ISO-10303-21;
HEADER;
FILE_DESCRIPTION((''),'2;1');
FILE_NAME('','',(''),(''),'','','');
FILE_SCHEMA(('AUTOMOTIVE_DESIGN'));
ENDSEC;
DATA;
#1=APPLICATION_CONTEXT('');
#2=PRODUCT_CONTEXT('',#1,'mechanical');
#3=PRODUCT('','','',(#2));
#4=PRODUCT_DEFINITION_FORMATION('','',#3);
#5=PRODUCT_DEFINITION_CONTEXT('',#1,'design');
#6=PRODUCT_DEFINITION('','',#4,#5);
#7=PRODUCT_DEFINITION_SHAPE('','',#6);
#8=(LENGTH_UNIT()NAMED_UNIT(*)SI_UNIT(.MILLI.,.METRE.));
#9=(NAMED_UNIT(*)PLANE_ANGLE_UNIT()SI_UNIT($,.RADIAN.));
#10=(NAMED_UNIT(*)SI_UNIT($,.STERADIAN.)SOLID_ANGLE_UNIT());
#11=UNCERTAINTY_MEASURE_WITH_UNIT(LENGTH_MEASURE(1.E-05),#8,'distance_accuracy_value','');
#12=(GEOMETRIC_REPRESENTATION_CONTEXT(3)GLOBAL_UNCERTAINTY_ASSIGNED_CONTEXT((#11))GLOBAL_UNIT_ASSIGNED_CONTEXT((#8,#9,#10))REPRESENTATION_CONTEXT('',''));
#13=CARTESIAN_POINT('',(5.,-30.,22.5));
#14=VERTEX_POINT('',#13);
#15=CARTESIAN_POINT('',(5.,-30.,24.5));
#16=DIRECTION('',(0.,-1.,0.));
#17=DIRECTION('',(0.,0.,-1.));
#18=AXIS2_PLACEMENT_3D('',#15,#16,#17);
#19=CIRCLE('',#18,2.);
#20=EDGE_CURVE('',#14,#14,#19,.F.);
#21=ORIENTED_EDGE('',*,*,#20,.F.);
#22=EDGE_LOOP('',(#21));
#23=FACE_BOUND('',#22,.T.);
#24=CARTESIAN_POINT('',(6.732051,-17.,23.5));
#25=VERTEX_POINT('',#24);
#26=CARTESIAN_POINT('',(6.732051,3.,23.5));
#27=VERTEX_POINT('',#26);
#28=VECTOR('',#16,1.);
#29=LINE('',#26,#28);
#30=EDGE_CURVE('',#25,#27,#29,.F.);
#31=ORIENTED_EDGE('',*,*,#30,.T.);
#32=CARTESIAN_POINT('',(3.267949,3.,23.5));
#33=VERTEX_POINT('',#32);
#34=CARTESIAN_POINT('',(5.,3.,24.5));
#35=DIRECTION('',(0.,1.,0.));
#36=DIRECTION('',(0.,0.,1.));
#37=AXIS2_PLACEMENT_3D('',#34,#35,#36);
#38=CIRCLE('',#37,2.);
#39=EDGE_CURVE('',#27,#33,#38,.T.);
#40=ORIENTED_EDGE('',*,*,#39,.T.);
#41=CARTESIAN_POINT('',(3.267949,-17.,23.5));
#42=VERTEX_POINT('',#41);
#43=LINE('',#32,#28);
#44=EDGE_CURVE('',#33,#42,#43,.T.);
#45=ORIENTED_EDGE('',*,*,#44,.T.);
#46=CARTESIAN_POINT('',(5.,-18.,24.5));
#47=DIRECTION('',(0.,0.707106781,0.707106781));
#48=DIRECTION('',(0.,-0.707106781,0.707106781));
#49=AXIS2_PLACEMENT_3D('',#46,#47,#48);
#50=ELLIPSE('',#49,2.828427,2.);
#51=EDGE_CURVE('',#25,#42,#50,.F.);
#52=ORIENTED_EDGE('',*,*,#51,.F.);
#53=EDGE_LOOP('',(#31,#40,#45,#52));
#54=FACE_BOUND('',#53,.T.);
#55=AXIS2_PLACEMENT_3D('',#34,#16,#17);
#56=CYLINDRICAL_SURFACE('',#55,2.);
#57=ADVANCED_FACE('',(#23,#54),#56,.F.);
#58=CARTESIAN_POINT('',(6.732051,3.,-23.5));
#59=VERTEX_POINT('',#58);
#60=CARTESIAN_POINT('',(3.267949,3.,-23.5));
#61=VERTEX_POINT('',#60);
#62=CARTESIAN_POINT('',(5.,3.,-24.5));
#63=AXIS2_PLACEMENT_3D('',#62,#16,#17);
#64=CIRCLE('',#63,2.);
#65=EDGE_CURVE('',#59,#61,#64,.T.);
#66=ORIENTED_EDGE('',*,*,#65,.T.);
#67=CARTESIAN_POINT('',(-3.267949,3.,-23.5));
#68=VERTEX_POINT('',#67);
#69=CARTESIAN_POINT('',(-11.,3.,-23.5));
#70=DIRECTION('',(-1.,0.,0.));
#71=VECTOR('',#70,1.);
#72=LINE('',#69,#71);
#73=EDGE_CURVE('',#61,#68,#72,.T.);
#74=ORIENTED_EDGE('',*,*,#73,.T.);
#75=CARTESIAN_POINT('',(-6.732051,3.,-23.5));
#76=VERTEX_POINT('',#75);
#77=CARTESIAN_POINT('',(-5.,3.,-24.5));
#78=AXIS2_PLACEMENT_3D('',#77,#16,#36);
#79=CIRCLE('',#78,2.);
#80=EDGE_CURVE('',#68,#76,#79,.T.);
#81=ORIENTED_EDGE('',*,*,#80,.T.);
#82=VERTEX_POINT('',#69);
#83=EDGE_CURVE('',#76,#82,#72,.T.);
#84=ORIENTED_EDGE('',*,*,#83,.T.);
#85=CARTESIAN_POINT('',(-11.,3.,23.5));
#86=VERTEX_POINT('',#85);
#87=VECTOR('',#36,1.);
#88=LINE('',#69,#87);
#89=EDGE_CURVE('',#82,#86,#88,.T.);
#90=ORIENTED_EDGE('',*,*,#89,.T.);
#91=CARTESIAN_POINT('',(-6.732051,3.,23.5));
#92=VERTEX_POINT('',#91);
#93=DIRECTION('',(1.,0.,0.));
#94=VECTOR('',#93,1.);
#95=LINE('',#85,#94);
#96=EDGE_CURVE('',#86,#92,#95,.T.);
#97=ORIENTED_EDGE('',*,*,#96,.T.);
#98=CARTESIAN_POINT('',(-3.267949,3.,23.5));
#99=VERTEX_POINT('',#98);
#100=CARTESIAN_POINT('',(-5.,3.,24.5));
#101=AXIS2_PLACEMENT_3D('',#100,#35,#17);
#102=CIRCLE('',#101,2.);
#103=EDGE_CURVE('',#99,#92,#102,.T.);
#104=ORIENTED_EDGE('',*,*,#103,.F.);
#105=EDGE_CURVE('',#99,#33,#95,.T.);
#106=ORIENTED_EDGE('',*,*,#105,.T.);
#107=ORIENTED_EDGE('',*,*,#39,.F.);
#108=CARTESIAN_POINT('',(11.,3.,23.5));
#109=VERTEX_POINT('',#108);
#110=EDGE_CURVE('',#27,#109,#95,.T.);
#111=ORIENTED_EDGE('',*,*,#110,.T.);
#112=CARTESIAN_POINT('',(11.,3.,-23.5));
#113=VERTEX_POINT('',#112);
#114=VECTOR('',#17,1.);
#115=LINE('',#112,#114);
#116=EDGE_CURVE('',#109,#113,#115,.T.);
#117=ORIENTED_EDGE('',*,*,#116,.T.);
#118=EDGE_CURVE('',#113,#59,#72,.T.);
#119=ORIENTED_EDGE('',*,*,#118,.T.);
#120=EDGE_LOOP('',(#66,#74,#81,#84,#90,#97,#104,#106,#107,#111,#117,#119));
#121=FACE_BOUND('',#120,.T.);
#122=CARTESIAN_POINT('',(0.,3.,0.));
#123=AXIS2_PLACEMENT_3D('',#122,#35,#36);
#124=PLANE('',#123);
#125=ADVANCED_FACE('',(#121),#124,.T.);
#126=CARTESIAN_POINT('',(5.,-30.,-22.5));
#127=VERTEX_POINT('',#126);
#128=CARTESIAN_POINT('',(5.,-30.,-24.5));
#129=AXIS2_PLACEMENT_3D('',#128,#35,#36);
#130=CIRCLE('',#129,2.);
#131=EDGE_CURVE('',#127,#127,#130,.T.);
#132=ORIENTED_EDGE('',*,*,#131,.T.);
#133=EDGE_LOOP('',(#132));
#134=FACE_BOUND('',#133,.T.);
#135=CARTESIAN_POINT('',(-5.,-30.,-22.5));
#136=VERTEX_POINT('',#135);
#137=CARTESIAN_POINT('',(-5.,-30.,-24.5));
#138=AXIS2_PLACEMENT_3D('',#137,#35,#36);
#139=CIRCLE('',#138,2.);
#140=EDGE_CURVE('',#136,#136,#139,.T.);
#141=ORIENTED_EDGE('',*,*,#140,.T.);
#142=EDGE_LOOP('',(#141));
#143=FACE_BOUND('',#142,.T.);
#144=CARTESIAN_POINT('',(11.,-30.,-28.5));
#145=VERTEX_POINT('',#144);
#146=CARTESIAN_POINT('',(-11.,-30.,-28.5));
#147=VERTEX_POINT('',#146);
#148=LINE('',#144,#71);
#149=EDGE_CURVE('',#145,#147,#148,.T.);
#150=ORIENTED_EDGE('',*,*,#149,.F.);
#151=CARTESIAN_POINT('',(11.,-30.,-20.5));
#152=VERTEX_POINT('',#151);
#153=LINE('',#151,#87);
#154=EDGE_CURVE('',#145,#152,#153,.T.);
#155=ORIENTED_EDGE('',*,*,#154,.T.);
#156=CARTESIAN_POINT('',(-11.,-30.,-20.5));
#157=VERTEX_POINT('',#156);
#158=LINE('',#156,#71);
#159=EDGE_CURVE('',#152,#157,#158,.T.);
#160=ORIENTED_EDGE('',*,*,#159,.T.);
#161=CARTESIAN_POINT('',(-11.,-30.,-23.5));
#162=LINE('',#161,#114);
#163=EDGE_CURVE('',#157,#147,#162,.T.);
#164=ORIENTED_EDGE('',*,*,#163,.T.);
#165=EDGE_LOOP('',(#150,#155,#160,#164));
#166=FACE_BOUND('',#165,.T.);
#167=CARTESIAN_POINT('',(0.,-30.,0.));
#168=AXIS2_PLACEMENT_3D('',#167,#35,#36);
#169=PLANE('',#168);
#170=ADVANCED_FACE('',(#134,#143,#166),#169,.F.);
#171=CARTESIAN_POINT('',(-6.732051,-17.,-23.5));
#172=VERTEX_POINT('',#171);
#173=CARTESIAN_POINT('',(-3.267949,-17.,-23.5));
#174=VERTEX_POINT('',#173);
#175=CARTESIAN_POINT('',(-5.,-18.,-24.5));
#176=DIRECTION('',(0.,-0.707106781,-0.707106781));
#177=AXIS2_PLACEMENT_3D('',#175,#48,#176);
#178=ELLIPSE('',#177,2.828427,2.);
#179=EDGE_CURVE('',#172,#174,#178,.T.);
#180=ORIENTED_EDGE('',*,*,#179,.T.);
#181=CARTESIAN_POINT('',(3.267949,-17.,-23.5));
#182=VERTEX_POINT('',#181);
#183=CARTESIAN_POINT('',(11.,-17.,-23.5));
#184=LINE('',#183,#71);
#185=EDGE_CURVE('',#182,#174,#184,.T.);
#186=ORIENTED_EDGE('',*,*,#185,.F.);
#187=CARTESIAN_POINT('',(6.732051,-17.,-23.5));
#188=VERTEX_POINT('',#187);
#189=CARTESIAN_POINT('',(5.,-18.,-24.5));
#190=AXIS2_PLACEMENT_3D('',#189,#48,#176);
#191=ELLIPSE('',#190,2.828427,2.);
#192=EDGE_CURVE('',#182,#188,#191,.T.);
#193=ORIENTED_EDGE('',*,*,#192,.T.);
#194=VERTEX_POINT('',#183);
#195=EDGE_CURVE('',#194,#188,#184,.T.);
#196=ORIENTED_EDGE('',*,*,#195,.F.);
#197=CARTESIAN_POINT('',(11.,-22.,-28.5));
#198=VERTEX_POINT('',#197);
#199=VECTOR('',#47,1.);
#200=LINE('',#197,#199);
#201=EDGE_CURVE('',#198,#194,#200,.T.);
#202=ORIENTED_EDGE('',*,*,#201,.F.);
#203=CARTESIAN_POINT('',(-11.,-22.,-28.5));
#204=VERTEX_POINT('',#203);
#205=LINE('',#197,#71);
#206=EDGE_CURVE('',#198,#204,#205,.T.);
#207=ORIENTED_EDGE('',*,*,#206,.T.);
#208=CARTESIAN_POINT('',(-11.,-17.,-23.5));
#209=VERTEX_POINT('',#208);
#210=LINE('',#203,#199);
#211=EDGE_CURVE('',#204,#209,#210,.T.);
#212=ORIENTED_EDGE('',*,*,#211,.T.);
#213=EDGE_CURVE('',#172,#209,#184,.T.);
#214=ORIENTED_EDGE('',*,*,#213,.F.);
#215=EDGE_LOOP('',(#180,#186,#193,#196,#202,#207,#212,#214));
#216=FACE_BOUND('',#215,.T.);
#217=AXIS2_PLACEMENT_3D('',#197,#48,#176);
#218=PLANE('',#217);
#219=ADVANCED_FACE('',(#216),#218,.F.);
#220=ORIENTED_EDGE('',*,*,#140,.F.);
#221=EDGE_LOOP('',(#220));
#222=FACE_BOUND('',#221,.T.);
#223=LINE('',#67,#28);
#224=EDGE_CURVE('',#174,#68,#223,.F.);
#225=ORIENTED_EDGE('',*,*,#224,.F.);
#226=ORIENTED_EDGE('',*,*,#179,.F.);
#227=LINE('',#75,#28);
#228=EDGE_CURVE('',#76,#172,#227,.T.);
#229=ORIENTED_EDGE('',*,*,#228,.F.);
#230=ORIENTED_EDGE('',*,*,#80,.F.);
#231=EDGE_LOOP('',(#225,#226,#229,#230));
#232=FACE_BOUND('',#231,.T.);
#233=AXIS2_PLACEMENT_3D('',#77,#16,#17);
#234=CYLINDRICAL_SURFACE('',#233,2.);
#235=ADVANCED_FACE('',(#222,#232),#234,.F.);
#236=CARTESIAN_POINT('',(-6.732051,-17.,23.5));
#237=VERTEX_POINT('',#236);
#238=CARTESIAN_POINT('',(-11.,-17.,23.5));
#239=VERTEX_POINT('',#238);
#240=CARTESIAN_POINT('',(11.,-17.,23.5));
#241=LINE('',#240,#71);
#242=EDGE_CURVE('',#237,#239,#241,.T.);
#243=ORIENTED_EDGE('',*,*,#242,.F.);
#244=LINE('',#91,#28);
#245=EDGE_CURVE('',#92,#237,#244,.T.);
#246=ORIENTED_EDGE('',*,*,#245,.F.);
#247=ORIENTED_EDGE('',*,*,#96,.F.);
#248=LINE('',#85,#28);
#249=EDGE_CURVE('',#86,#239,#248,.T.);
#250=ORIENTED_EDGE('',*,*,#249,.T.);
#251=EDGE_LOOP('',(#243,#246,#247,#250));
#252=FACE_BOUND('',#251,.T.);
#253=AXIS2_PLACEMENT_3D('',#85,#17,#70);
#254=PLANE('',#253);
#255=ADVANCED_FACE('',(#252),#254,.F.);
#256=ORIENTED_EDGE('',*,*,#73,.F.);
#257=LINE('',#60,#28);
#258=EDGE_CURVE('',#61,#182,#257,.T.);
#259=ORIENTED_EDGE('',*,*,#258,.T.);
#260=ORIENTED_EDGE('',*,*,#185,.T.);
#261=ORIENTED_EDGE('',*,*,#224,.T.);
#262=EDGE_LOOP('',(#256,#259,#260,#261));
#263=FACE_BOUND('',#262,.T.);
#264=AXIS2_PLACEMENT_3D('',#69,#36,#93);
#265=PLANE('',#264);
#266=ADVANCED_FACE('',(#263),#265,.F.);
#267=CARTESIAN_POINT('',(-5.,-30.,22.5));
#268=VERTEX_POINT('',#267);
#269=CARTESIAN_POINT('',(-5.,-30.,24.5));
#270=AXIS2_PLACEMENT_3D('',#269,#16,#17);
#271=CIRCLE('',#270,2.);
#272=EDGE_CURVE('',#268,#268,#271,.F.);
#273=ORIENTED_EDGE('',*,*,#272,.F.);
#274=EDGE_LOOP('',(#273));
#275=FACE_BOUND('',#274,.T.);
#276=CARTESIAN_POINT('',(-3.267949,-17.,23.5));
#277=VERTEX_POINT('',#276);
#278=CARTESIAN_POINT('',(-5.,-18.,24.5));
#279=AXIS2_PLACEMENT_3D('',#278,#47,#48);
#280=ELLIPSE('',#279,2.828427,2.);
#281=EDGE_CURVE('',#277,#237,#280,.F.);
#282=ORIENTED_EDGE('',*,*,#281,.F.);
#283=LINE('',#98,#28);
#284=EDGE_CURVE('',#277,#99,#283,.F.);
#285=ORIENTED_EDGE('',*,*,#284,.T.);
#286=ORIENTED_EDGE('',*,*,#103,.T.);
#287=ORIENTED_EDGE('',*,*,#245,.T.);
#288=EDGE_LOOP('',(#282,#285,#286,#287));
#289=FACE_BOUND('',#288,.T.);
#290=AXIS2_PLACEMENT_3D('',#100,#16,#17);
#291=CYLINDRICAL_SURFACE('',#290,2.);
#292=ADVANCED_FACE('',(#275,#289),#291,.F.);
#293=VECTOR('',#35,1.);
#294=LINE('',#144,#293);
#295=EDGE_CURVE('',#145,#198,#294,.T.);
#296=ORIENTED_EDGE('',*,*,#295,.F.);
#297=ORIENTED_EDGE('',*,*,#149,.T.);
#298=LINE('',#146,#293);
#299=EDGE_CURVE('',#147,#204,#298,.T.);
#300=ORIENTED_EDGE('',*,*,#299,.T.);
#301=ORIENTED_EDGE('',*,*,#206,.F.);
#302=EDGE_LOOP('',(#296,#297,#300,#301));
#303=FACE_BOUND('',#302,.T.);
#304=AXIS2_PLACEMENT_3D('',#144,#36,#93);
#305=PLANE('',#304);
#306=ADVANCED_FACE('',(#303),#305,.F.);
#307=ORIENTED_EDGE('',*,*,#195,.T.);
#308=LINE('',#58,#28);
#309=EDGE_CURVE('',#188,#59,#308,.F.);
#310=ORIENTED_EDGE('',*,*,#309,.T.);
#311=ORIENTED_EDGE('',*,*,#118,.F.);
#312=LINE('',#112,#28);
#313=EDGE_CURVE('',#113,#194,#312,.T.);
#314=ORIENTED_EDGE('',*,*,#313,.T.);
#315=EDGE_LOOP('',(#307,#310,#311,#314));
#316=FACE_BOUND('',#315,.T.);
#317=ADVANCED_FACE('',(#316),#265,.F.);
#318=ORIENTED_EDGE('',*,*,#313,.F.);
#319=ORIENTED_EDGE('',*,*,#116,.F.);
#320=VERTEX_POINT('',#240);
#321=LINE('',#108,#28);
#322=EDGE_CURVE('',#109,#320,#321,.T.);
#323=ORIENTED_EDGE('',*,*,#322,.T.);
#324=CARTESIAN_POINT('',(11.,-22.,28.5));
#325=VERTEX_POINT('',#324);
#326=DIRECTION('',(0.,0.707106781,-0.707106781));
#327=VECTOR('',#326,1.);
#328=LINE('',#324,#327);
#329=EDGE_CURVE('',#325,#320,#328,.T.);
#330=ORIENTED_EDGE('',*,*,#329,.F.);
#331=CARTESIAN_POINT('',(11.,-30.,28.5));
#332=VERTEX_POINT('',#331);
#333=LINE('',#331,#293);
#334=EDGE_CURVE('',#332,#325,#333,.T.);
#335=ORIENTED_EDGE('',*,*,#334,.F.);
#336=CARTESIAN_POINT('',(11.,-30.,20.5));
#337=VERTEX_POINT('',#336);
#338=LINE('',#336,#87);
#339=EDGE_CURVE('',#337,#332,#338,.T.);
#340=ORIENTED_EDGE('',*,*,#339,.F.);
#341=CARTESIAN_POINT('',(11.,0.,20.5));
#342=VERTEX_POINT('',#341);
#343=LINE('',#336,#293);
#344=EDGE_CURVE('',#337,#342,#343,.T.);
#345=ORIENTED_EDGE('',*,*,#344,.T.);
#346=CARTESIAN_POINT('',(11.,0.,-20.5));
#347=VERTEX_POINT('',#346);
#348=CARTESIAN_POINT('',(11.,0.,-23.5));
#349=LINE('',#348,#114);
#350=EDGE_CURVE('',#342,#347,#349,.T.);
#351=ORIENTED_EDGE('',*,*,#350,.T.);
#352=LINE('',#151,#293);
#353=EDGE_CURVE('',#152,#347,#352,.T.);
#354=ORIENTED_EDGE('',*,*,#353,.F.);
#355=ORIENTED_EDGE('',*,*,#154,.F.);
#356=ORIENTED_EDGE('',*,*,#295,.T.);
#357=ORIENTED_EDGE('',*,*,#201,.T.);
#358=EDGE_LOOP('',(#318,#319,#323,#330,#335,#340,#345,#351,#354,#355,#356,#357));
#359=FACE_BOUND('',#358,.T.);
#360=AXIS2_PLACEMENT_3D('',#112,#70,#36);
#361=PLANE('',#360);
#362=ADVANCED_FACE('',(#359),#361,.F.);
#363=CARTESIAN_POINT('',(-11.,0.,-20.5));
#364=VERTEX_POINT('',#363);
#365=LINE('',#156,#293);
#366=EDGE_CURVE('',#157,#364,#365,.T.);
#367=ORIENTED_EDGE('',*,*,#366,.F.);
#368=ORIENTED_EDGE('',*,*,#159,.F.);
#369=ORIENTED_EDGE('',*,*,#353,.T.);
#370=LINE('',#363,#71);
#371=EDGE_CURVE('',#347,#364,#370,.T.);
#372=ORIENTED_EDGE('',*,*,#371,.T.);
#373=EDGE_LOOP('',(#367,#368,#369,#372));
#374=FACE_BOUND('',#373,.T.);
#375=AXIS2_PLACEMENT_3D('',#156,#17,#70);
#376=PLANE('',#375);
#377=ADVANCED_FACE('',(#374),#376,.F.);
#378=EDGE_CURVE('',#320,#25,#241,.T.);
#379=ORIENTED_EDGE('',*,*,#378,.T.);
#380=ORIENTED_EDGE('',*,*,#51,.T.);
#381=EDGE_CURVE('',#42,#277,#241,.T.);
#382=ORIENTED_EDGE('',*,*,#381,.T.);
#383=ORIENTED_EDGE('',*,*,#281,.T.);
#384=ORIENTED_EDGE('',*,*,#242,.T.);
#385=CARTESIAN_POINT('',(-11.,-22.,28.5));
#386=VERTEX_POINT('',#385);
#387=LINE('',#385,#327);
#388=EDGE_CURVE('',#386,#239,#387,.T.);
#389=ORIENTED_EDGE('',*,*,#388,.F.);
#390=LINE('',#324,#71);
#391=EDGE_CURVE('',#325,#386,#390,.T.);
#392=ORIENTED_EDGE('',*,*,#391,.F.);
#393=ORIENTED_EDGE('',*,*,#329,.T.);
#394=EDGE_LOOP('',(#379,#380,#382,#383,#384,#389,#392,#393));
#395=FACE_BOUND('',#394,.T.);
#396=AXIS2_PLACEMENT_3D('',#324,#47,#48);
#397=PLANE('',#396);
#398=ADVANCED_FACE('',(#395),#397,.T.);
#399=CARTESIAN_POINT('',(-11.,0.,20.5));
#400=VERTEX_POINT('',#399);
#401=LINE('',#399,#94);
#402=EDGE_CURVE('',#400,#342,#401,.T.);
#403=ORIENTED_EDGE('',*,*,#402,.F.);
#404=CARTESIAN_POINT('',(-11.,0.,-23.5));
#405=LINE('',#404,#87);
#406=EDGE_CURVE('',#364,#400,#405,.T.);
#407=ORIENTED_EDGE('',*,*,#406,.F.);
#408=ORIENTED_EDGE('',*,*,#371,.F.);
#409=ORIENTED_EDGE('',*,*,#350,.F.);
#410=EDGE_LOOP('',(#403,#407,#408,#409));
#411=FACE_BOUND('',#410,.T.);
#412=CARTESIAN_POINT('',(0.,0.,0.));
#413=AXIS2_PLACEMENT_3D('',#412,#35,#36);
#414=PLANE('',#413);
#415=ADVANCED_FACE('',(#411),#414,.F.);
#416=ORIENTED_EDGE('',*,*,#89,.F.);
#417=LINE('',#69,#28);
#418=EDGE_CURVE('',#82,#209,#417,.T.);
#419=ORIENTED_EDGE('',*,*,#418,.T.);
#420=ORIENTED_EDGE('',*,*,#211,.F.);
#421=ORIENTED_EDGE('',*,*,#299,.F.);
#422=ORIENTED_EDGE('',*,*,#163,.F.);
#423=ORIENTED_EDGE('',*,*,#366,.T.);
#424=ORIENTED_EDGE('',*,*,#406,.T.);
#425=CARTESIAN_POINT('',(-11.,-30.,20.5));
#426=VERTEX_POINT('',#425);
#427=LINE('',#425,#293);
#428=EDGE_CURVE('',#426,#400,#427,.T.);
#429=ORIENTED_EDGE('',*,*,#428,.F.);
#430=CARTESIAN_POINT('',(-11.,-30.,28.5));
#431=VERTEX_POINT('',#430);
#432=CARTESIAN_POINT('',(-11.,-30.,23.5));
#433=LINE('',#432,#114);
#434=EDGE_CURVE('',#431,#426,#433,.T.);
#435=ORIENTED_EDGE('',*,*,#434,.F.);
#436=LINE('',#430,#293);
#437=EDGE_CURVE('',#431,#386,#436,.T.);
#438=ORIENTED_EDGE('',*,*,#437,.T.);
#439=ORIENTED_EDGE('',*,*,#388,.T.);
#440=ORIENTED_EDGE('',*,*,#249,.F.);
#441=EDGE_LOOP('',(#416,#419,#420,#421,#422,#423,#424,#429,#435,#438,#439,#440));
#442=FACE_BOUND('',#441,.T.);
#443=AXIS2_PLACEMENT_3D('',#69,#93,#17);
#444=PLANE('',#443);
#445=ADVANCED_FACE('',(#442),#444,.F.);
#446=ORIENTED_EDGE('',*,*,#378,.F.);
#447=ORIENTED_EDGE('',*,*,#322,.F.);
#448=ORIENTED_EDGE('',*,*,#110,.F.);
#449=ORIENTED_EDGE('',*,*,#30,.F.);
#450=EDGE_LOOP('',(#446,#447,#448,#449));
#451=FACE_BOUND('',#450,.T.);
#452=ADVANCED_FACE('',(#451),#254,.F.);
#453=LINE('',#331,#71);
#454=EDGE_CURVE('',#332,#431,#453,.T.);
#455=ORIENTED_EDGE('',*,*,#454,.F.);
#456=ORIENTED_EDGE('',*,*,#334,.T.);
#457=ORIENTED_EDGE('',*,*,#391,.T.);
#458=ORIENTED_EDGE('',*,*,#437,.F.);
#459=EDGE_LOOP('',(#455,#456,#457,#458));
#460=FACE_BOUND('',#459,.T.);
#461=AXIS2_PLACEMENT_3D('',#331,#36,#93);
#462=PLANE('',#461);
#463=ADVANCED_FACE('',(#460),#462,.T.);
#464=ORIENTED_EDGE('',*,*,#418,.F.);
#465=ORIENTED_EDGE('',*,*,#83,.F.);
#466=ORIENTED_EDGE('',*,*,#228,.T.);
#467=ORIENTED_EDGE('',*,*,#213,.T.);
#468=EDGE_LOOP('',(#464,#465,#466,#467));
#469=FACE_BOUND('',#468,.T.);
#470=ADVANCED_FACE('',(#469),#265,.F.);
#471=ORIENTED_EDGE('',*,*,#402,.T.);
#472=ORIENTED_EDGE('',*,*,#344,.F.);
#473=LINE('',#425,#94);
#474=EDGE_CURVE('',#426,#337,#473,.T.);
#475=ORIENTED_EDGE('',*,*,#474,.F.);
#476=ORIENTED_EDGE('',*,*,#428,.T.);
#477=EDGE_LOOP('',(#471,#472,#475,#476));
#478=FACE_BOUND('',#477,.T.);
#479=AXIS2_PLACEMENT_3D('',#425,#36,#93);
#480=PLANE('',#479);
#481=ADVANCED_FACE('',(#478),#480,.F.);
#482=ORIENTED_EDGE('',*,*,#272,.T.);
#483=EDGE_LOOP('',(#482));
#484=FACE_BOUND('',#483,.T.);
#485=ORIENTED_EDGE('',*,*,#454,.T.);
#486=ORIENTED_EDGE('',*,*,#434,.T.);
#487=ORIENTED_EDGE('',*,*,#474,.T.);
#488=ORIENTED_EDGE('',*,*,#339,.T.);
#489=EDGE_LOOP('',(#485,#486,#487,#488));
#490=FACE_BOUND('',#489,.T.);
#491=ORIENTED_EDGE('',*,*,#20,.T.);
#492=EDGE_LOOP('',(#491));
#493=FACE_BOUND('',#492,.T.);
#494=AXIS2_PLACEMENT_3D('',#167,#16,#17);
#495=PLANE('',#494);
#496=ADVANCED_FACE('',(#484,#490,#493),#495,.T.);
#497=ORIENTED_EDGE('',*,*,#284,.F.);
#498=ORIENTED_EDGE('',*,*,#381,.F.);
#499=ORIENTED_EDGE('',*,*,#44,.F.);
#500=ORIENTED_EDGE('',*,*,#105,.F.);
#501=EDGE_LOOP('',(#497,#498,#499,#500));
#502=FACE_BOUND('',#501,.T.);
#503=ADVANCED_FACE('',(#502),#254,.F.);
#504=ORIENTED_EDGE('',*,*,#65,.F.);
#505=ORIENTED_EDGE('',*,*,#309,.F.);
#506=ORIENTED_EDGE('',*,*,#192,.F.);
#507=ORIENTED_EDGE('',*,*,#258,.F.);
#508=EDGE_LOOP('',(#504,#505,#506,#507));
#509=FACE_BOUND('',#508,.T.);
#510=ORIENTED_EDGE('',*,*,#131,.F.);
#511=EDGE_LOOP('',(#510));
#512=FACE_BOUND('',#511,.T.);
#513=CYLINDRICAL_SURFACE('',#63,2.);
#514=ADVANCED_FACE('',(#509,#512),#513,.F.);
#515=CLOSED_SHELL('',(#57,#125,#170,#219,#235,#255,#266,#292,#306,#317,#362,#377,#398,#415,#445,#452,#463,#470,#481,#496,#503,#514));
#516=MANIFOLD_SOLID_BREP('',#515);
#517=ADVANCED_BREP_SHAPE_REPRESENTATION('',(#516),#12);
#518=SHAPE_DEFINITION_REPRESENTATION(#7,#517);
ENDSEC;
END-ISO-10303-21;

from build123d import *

# Parameters (mm, degrees)
CROQUIS1_W              = 22
CROQUIS1_H              = 47
SALIENTE_EXTRUIR1_DEPTH = 3
CROQUIS2_W              = 22
CROQUIS2_H              = 3
SALIENTE_EXTRUIR2_DEPTH = 30
SALIENTE_EXTRUIR3_DEPTH = 11
CROQUIS5_R              = 2
CORTAR_EXTRUIR1_DEPTH   = 45.969434064


with BuildPart() as part:
    # Croquis1 → Saliente-Extruir1 (new body)
    with BuildSketch(Plane(origin=(0, 0, 0), x_dir=(1, 0, 0), z_dir=(0, 1, 0))):
        Rectangle(CROQUIS1_W, CROQUIS1_H)
    extrude(amount=SALIENTE_EXTRUIR1_DEPTH)

    # Croquis2 → Saliente-Extruir2 (add)
    with BuildSketch(Plane.XZ):
        with Locations((0, 22)):
            Rectangle(CROQUIS2_W, CROQUIS2_H)
        with Locations((0, -22)):
            Rectangle(CROQUIS2_W, CROQUIS2_H)
    extrude(amount=SALIENTE_EXTRUIR2_DEPTH)

    # Croquis4 → Saliente-Extruir3 (add, symmetric)
    with BuildSketch(Plane(origin=(0, 0, 0), x_dir=(0, 0, -1), z_dir=(1, 0, 0))):
        Polygon((23.5, -30), (28.5, -30), (28.5, -22), (23.5, -17), align=None)
    saliente_extruir3 = extrude(amount=SALIENTE_EXTRUIR3_DEPTH, both=True)

    # Croquis5 → Cortar-Extruir1 (cut, symmetric)
    with BuildSketch(Plane.XZ.offset(30)):
        with Locations(Location((5, -24.5, 0), (0, 0, 150))):
            Circle(CROQUIS5_R)
        with Locations(Location((-5, -24.5, 0), (0, 0, 150))):
            Circle(CROQUIS5_R)
    cortar_extruir1 = extrude(amount=CORTAR_EXTRUIR1_DEPTH, both=True, mode=Mode.SUBTRACT)

    # Simetría1: Saliente-Extruir3, Cortar-Extruir1 across plane
    add(saliente_extruir3.mirror(Plane.XY))
    add(cortar_extruir1.mirror(Plane.XY), mode=Mode.SUBTRACT)


solid = part.part
